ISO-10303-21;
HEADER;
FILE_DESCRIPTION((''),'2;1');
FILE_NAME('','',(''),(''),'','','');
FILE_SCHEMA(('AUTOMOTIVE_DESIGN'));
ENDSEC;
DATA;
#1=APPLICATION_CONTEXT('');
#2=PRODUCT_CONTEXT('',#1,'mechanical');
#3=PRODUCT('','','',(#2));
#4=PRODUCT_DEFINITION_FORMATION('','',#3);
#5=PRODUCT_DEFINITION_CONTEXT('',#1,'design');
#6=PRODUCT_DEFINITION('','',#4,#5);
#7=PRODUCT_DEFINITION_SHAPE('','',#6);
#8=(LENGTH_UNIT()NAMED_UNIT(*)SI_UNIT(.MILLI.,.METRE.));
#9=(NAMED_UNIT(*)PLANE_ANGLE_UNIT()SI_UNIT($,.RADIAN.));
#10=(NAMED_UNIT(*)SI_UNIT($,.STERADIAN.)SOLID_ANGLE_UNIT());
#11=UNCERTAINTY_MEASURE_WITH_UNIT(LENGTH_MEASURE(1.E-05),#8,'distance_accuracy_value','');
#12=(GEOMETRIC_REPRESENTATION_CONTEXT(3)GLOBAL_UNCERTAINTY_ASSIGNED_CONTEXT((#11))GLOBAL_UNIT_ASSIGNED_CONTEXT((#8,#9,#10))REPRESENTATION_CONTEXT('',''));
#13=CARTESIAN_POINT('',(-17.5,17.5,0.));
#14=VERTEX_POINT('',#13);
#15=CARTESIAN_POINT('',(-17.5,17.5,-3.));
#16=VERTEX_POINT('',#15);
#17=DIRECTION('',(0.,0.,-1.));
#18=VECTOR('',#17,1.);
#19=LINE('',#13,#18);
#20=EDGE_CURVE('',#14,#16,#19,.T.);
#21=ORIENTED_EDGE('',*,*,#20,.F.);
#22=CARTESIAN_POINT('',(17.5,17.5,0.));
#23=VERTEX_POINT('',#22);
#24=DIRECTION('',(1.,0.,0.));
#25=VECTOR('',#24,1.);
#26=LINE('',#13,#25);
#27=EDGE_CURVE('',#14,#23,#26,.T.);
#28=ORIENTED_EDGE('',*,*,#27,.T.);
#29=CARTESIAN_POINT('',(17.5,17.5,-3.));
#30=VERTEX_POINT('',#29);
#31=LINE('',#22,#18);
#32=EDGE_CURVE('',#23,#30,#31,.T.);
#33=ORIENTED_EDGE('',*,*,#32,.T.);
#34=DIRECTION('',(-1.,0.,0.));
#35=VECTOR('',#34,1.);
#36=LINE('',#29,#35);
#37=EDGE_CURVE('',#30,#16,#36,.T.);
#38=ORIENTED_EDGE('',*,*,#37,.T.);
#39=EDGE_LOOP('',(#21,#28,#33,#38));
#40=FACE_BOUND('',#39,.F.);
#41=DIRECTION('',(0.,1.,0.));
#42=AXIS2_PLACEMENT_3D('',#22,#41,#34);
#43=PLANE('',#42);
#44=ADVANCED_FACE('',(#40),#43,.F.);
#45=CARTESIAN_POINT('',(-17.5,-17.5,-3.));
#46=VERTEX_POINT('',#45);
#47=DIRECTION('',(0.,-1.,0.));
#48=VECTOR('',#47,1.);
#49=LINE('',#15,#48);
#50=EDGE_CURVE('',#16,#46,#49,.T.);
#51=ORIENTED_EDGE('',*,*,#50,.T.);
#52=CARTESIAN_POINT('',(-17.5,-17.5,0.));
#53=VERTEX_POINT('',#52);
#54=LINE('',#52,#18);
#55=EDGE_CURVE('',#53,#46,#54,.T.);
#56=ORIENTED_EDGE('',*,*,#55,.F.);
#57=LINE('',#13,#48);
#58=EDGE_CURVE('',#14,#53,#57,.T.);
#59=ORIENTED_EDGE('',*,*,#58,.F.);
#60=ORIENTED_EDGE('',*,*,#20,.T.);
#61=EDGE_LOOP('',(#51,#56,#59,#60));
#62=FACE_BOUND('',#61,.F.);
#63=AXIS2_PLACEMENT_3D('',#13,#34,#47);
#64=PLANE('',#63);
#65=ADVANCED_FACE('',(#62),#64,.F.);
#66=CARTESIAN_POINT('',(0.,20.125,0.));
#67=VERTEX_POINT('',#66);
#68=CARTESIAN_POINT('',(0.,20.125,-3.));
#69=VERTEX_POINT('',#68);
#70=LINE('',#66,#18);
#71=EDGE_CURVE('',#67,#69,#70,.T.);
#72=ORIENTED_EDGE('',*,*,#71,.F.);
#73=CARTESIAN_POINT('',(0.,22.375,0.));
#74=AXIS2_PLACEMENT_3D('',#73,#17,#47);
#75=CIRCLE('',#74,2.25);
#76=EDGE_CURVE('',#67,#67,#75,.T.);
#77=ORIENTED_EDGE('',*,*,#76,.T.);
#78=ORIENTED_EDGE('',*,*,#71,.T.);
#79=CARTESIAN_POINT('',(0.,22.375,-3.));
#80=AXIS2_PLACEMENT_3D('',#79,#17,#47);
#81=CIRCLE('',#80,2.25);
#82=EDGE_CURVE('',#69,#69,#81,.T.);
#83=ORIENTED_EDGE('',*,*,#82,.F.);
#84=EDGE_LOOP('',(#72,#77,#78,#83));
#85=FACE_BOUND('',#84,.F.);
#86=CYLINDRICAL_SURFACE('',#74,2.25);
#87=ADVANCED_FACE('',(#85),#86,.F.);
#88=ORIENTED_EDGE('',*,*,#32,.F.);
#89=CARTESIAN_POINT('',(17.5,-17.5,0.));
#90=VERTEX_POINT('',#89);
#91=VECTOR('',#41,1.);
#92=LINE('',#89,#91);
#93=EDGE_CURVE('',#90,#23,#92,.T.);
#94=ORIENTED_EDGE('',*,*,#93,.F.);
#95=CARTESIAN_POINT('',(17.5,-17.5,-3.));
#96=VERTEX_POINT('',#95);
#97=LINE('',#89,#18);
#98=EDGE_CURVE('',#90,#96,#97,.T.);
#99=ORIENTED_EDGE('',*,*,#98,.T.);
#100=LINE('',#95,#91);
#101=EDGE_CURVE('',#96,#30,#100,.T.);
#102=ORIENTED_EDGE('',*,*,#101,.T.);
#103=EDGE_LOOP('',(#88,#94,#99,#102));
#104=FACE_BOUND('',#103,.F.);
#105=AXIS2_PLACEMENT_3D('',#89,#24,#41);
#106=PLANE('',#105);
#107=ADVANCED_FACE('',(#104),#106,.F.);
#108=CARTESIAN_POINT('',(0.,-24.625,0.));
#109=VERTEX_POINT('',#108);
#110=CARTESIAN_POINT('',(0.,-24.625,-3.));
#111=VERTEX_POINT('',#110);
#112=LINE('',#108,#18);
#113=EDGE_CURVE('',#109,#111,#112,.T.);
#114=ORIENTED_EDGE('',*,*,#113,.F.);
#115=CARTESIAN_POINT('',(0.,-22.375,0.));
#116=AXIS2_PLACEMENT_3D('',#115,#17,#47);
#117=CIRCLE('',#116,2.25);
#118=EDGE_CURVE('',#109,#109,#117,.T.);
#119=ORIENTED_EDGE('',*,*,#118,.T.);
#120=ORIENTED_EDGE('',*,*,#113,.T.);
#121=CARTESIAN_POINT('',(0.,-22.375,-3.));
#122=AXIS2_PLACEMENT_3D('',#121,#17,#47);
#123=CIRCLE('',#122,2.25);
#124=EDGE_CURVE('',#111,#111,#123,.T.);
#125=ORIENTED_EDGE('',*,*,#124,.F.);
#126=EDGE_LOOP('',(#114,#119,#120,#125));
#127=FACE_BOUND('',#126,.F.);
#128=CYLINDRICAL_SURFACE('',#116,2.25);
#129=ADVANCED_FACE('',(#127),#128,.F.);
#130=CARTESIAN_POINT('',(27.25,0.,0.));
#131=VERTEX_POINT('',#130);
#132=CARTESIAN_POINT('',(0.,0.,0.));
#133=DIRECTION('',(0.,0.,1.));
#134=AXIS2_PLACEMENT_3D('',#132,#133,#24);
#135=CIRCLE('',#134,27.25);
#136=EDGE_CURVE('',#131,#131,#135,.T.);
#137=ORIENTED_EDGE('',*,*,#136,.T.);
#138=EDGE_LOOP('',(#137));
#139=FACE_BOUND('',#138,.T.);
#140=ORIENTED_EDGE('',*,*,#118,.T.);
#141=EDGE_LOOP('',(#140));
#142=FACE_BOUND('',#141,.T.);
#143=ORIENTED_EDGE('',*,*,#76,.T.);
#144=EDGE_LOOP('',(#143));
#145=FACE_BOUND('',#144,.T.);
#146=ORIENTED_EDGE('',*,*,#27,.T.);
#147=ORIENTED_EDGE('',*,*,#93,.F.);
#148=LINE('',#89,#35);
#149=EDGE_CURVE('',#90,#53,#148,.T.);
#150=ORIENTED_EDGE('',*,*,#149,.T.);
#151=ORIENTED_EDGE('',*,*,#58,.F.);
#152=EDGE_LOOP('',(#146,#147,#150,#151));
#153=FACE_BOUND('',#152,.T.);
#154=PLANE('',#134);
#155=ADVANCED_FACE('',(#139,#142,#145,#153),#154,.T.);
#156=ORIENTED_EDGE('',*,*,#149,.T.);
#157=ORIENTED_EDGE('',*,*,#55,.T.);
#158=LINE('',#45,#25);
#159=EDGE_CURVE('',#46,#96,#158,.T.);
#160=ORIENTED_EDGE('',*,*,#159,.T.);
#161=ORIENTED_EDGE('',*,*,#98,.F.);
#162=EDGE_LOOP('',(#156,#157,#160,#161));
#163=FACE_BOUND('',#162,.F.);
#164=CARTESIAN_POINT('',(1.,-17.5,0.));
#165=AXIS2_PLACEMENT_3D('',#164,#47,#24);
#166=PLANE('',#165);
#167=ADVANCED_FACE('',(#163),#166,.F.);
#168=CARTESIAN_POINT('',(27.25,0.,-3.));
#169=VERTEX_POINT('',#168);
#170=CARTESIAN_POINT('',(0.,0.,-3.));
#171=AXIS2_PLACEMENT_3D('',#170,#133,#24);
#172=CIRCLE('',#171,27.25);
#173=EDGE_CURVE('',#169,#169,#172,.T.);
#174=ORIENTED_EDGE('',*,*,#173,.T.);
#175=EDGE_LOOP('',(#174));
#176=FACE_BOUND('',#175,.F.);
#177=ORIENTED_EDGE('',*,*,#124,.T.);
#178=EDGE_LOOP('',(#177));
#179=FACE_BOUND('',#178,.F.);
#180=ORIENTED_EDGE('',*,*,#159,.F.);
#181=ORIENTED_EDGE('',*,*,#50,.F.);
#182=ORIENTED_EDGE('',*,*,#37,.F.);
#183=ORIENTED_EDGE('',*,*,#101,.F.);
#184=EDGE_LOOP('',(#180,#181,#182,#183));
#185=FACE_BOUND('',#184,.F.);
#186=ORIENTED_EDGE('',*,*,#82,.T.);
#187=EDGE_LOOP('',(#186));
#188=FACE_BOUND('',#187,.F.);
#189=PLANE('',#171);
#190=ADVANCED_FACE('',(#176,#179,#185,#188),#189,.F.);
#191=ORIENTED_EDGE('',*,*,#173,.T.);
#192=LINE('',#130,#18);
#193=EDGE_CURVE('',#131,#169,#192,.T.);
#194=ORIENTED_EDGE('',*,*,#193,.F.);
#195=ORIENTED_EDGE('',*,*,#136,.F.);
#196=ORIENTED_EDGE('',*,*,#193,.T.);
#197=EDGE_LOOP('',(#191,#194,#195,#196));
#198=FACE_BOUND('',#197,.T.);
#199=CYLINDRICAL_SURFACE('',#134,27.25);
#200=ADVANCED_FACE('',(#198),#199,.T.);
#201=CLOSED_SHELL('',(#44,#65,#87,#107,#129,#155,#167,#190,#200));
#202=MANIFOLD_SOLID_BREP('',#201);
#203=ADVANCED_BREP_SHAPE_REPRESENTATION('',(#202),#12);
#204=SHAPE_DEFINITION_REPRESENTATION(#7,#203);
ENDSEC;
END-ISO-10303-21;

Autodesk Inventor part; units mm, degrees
ref_plane "YZ Plane" through (0, 0, 0) normal (1, 0, 0) x (0, 1, 0)
ref_plane "XZ Plane" through (0, 0, 0) normal (0, 1, 0) x (-1, 0, 0)
ref_plane "XY Plane" through (0, 0, 0) normal (0, 0, 1) x (1, 0, 0)
sketch "スケッチ1" plane through (0, 0, 0) normal (0, 0, 1) x (1, 0, 0)
  circle A0 centre (0, 0) radius 27.25
  line L0 (17.5, 17.5) -> (-17.5, 17.5)
  line L1 (-17.5, 17.5) -> (-17.5, -17.5)
  line L2 (-17.5, -17.5) -> (17.5, -17.5)
  line L3 (17.5, -17.5) -> (17.5, 17.5)
  line L4 (17.5, 17.5) -> (-17.5, -17.5) construction
  line L5 (-17.5, 17.5) -> (17.5, -17.5) construction
  line L6 (1, 17.5) -> (-1, 17.5)
  line L7 (-1, -17.5) -> (1, -17.5)
  dimension "d0" = 54.5
  dimension "d6" = 35
  dimension "d107" = 2
  dimension "d108" = 35
extrude "押し出し1" add sketch "スケッチ1" against normal blind 3
sketch "スケッチ8" plane through (0, 0, 0) normal (0, 0, 1) x (1, 0, 0)
  circle A0 centre (0, 0) radius 27.25
  circle A1 centre (0, 0) radius 22.375
  line L0 (0, 30.4962) -> (0, -31.0616)
  point P0 (0, 0)
  point P1 (0, 22.375)
  point P2 (0, -22.375)
  dimension "d111" = 44.75
  dimension "d112" = 54.5
hole "穴5" at (0, 22.375, 0) at (0, -22.375, 0) direction (0, 0, -1) diameter 4.5 end through all clearance for "Countersunk Flat Head Screw ISO 2009/7046" size "M4" standard "ISO"
properties part number "Part3_A_Y" material "鋼、軟鋼"
